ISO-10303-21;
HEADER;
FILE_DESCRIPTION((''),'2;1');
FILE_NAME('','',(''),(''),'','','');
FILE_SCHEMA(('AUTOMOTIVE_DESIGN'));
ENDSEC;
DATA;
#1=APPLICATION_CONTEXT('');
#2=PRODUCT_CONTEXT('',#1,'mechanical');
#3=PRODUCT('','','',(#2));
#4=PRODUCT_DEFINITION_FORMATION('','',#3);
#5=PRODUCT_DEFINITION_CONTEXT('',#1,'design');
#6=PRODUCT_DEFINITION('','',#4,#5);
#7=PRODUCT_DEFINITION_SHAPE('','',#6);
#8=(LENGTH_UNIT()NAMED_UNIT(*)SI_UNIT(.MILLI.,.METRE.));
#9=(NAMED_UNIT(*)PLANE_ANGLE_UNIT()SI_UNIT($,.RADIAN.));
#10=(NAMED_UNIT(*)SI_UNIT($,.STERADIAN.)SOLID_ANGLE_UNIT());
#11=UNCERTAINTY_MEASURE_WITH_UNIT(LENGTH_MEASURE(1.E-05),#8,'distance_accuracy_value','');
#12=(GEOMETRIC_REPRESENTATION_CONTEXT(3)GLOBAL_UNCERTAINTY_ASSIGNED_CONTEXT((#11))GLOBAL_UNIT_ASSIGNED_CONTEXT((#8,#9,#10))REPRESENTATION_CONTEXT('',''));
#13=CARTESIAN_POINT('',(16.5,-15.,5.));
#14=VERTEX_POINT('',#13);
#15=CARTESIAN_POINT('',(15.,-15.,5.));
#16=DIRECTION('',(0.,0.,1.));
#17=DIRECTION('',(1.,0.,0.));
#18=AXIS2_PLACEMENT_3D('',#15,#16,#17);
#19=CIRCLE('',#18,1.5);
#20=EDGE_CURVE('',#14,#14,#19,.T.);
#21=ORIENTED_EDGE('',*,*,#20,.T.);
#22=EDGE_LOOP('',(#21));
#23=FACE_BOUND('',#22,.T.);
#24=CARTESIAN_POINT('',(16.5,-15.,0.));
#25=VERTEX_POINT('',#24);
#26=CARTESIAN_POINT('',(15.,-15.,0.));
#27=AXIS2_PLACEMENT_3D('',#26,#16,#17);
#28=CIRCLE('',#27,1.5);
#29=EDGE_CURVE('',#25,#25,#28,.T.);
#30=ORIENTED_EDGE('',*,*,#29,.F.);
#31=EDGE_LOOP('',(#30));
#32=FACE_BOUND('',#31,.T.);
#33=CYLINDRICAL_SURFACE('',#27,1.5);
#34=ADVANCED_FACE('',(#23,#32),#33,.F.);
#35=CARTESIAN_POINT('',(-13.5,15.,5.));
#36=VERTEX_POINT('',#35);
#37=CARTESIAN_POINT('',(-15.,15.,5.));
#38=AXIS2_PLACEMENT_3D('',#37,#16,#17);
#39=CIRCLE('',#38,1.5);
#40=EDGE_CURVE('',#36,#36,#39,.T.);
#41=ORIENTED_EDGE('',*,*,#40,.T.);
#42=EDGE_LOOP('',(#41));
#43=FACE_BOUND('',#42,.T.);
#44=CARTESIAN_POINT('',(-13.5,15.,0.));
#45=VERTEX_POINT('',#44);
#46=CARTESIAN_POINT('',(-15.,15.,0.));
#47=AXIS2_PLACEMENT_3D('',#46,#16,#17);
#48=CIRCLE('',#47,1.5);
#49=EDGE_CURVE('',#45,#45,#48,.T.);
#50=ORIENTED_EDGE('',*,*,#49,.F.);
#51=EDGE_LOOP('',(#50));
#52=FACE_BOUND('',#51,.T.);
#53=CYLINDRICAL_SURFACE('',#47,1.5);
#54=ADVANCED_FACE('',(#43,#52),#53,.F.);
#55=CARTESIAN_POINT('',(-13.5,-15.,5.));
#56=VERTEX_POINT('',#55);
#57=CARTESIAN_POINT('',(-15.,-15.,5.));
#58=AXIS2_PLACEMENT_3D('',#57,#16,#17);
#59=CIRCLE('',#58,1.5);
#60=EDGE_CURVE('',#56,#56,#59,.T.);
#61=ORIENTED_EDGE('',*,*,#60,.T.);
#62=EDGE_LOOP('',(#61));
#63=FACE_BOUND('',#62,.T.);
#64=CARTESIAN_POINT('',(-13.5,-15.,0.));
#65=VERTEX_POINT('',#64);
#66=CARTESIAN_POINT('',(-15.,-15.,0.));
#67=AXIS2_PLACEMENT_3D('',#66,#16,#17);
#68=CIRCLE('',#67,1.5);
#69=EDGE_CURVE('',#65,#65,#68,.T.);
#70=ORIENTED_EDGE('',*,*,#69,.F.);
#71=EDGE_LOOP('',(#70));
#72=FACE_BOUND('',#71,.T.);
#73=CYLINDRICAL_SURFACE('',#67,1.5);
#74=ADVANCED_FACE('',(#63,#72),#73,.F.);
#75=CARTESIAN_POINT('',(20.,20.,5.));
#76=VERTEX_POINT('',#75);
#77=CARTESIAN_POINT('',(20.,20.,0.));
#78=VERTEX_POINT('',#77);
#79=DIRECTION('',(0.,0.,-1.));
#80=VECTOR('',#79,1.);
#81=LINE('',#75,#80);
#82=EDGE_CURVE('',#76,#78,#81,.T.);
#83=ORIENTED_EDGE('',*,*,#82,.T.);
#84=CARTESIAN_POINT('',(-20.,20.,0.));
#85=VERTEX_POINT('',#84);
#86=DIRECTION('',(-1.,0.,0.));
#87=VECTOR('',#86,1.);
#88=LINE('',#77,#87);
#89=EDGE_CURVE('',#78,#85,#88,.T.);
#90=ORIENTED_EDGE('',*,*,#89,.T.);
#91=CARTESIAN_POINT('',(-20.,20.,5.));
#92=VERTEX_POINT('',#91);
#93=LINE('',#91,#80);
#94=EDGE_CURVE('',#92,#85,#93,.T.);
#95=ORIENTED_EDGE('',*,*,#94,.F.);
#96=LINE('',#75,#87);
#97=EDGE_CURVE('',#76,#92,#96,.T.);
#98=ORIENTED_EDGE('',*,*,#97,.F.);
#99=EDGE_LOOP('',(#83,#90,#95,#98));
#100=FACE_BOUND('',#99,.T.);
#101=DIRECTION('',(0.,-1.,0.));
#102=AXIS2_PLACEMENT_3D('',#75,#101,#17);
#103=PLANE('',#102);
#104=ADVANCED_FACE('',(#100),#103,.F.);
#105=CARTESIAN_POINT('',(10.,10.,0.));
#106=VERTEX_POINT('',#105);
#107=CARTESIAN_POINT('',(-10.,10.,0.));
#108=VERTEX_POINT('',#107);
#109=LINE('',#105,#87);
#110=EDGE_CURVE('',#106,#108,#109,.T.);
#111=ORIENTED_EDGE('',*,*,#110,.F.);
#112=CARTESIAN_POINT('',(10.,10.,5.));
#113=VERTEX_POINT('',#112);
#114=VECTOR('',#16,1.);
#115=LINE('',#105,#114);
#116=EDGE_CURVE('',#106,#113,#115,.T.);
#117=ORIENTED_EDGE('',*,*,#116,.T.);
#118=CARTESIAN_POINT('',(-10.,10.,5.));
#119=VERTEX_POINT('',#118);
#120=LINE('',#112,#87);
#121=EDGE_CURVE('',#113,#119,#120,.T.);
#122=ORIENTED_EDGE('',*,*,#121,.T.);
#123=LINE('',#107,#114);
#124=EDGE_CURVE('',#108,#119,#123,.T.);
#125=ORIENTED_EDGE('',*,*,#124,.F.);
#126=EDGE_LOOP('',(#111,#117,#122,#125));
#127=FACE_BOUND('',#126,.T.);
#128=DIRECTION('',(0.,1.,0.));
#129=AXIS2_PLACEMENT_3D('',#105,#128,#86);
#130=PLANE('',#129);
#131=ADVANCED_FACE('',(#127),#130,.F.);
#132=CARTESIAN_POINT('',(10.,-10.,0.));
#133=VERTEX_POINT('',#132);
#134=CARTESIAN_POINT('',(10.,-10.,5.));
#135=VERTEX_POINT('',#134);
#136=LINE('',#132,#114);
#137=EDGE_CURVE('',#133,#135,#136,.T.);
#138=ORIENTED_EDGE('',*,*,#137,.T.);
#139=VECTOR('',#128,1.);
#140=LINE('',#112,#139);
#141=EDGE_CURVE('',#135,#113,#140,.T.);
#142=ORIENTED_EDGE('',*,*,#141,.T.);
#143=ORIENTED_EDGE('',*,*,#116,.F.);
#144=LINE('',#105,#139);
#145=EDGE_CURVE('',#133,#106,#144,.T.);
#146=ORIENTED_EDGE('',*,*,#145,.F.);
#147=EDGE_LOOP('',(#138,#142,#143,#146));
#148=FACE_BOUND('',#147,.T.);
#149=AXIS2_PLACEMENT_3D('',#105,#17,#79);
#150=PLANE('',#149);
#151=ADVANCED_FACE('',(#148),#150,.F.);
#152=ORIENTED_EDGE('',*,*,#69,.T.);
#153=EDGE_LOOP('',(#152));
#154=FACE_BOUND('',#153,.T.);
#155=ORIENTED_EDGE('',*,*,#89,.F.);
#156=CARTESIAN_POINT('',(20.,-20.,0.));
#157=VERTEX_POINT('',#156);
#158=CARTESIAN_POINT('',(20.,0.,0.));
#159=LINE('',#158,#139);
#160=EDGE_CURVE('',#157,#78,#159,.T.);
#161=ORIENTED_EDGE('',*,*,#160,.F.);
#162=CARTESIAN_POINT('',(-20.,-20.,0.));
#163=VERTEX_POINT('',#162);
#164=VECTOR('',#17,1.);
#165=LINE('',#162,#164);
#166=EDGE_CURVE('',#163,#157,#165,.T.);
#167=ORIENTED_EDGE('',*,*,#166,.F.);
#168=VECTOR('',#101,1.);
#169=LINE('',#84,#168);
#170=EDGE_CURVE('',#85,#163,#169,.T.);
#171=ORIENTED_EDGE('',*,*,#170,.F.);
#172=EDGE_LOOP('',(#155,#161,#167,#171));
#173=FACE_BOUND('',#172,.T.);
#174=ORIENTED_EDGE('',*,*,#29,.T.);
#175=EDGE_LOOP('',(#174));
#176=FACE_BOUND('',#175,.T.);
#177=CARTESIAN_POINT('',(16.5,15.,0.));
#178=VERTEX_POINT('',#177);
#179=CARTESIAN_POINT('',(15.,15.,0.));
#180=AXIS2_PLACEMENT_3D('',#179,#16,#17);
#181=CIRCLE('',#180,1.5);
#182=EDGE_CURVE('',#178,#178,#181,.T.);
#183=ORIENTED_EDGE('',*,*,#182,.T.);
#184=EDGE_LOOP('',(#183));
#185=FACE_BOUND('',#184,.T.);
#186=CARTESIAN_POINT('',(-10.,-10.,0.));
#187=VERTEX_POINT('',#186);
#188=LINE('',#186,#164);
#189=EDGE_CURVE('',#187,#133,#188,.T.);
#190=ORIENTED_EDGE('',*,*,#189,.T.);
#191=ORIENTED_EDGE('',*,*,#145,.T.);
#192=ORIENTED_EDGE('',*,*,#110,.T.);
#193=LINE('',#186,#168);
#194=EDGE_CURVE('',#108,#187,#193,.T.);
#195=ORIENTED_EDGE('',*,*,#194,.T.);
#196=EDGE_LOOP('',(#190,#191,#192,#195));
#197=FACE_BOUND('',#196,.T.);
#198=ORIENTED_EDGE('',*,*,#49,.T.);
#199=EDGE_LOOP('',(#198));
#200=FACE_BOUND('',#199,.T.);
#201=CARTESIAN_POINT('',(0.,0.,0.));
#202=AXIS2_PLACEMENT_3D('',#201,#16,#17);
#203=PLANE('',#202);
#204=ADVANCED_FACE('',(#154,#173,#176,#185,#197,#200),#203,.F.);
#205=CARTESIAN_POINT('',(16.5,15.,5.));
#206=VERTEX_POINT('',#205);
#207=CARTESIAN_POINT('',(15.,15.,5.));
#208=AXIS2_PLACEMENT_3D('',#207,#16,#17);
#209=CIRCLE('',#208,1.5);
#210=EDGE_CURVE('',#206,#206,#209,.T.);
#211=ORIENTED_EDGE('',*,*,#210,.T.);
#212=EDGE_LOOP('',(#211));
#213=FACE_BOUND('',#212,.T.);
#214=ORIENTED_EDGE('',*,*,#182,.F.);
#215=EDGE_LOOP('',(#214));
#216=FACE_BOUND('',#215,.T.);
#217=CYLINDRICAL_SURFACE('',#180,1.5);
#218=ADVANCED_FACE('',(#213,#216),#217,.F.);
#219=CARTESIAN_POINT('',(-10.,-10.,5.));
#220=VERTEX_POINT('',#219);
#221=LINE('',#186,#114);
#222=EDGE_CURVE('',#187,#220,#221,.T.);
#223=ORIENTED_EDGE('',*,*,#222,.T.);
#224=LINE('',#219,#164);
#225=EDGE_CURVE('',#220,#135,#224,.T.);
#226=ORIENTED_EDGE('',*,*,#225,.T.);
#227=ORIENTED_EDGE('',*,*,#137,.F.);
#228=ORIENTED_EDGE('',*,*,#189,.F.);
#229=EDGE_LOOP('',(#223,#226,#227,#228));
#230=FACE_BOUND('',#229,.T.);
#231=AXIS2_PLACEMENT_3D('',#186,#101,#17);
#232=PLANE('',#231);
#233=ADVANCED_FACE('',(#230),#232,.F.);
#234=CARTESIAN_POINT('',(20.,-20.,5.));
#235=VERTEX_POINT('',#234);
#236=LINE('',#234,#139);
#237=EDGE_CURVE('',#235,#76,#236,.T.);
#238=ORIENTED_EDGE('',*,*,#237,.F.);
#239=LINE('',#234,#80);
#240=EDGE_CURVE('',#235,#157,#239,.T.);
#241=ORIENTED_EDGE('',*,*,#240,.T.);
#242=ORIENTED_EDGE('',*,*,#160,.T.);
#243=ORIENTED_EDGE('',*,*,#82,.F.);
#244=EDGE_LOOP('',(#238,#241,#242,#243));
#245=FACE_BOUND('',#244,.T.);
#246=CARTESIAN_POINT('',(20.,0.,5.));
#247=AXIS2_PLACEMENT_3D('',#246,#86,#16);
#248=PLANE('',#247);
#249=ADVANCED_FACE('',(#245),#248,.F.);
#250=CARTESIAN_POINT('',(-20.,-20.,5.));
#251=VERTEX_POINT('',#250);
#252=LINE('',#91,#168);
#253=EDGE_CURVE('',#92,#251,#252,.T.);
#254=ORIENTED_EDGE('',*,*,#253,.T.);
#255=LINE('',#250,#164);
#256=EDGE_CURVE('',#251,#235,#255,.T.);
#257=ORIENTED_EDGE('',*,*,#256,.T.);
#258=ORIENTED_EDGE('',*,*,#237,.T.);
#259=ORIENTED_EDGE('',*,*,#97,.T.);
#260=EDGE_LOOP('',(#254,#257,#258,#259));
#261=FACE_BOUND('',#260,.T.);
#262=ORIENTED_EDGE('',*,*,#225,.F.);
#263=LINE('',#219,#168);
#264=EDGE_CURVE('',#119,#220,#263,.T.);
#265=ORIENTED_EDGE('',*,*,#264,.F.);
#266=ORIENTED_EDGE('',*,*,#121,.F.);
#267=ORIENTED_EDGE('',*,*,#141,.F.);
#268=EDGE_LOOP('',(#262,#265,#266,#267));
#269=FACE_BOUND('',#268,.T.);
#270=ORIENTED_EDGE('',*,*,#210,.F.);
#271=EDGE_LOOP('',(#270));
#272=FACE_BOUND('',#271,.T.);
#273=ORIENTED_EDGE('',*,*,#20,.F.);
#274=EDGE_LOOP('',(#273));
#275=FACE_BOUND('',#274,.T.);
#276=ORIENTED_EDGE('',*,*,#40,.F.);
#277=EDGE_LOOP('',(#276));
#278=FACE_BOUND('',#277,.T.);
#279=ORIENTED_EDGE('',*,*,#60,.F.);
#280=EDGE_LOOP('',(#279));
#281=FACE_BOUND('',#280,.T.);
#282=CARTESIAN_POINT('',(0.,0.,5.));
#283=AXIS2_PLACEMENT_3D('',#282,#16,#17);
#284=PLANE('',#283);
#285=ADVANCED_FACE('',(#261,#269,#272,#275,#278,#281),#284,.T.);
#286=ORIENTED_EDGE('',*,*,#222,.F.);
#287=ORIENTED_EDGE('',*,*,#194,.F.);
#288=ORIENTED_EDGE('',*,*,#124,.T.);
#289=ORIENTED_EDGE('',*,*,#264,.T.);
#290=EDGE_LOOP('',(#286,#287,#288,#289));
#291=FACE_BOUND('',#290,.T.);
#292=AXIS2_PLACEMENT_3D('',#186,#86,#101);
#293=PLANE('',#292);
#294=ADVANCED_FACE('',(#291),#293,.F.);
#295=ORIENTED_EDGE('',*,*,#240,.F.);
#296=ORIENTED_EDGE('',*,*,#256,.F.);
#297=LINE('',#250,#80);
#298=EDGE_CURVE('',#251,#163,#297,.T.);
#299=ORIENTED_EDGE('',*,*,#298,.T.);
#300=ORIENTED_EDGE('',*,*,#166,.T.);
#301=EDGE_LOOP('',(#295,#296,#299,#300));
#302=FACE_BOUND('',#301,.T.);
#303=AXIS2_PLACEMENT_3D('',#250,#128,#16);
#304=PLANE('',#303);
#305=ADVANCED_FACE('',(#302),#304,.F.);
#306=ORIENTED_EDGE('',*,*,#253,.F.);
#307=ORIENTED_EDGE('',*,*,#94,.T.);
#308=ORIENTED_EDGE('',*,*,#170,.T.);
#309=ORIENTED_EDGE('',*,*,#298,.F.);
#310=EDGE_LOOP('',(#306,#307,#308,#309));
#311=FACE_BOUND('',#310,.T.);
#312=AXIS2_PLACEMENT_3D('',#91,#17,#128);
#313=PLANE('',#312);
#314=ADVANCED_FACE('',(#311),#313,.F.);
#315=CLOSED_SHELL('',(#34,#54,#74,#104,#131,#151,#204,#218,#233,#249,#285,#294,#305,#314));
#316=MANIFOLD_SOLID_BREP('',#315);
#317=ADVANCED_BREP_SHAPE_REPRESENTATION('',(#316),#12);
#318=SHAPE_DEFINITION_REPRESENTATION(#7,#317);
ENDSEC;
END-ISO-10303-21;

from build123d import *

# Parameters (mm, degrees)
RESSALTO_EXTRUS_O1_DEPTH = 5
ESBO_O2_R                = 1.5
ESBO_O2_W                = 20
ESBO_O2_H                = 20
CORTE_EXTRUS_O1_DEPTH    = 29.722813233


with BuildPart() as part:
    # Esboço1 → Ressalto-extrusão1 (new body)
    with BuildSketch(Plane.XY):
        Polygon((20, 0), (20, 20), (-20, 20), (-20, -20), (20, -20), align=None)
    extrude(amount=RESSALTO_EXTRUS_O1_DEPTH)

    # Esboço2 → Corte-extrusão1 (cut, through all)
    with BuildSketch(Plane.XY.offset(5)):
        with Locations((-15, 15)):
            Circle(ESBO_O2_R)
        with Locations((15, 15)):
            Circle(ESBO_O2_R)
        with Locations((-15, -15)):
            Circle(ESBO_O2_R)
        with Locations((15, -15)):
            Circle(ESBO_O2_R)
        Rectangle(ESBO_O2_W, ESBO_O2_H)
    extrude(amount=-CORTE_EXTRUS_O1_DEPTH, mode=Mode.SUBTRACT)


solid = part.part
